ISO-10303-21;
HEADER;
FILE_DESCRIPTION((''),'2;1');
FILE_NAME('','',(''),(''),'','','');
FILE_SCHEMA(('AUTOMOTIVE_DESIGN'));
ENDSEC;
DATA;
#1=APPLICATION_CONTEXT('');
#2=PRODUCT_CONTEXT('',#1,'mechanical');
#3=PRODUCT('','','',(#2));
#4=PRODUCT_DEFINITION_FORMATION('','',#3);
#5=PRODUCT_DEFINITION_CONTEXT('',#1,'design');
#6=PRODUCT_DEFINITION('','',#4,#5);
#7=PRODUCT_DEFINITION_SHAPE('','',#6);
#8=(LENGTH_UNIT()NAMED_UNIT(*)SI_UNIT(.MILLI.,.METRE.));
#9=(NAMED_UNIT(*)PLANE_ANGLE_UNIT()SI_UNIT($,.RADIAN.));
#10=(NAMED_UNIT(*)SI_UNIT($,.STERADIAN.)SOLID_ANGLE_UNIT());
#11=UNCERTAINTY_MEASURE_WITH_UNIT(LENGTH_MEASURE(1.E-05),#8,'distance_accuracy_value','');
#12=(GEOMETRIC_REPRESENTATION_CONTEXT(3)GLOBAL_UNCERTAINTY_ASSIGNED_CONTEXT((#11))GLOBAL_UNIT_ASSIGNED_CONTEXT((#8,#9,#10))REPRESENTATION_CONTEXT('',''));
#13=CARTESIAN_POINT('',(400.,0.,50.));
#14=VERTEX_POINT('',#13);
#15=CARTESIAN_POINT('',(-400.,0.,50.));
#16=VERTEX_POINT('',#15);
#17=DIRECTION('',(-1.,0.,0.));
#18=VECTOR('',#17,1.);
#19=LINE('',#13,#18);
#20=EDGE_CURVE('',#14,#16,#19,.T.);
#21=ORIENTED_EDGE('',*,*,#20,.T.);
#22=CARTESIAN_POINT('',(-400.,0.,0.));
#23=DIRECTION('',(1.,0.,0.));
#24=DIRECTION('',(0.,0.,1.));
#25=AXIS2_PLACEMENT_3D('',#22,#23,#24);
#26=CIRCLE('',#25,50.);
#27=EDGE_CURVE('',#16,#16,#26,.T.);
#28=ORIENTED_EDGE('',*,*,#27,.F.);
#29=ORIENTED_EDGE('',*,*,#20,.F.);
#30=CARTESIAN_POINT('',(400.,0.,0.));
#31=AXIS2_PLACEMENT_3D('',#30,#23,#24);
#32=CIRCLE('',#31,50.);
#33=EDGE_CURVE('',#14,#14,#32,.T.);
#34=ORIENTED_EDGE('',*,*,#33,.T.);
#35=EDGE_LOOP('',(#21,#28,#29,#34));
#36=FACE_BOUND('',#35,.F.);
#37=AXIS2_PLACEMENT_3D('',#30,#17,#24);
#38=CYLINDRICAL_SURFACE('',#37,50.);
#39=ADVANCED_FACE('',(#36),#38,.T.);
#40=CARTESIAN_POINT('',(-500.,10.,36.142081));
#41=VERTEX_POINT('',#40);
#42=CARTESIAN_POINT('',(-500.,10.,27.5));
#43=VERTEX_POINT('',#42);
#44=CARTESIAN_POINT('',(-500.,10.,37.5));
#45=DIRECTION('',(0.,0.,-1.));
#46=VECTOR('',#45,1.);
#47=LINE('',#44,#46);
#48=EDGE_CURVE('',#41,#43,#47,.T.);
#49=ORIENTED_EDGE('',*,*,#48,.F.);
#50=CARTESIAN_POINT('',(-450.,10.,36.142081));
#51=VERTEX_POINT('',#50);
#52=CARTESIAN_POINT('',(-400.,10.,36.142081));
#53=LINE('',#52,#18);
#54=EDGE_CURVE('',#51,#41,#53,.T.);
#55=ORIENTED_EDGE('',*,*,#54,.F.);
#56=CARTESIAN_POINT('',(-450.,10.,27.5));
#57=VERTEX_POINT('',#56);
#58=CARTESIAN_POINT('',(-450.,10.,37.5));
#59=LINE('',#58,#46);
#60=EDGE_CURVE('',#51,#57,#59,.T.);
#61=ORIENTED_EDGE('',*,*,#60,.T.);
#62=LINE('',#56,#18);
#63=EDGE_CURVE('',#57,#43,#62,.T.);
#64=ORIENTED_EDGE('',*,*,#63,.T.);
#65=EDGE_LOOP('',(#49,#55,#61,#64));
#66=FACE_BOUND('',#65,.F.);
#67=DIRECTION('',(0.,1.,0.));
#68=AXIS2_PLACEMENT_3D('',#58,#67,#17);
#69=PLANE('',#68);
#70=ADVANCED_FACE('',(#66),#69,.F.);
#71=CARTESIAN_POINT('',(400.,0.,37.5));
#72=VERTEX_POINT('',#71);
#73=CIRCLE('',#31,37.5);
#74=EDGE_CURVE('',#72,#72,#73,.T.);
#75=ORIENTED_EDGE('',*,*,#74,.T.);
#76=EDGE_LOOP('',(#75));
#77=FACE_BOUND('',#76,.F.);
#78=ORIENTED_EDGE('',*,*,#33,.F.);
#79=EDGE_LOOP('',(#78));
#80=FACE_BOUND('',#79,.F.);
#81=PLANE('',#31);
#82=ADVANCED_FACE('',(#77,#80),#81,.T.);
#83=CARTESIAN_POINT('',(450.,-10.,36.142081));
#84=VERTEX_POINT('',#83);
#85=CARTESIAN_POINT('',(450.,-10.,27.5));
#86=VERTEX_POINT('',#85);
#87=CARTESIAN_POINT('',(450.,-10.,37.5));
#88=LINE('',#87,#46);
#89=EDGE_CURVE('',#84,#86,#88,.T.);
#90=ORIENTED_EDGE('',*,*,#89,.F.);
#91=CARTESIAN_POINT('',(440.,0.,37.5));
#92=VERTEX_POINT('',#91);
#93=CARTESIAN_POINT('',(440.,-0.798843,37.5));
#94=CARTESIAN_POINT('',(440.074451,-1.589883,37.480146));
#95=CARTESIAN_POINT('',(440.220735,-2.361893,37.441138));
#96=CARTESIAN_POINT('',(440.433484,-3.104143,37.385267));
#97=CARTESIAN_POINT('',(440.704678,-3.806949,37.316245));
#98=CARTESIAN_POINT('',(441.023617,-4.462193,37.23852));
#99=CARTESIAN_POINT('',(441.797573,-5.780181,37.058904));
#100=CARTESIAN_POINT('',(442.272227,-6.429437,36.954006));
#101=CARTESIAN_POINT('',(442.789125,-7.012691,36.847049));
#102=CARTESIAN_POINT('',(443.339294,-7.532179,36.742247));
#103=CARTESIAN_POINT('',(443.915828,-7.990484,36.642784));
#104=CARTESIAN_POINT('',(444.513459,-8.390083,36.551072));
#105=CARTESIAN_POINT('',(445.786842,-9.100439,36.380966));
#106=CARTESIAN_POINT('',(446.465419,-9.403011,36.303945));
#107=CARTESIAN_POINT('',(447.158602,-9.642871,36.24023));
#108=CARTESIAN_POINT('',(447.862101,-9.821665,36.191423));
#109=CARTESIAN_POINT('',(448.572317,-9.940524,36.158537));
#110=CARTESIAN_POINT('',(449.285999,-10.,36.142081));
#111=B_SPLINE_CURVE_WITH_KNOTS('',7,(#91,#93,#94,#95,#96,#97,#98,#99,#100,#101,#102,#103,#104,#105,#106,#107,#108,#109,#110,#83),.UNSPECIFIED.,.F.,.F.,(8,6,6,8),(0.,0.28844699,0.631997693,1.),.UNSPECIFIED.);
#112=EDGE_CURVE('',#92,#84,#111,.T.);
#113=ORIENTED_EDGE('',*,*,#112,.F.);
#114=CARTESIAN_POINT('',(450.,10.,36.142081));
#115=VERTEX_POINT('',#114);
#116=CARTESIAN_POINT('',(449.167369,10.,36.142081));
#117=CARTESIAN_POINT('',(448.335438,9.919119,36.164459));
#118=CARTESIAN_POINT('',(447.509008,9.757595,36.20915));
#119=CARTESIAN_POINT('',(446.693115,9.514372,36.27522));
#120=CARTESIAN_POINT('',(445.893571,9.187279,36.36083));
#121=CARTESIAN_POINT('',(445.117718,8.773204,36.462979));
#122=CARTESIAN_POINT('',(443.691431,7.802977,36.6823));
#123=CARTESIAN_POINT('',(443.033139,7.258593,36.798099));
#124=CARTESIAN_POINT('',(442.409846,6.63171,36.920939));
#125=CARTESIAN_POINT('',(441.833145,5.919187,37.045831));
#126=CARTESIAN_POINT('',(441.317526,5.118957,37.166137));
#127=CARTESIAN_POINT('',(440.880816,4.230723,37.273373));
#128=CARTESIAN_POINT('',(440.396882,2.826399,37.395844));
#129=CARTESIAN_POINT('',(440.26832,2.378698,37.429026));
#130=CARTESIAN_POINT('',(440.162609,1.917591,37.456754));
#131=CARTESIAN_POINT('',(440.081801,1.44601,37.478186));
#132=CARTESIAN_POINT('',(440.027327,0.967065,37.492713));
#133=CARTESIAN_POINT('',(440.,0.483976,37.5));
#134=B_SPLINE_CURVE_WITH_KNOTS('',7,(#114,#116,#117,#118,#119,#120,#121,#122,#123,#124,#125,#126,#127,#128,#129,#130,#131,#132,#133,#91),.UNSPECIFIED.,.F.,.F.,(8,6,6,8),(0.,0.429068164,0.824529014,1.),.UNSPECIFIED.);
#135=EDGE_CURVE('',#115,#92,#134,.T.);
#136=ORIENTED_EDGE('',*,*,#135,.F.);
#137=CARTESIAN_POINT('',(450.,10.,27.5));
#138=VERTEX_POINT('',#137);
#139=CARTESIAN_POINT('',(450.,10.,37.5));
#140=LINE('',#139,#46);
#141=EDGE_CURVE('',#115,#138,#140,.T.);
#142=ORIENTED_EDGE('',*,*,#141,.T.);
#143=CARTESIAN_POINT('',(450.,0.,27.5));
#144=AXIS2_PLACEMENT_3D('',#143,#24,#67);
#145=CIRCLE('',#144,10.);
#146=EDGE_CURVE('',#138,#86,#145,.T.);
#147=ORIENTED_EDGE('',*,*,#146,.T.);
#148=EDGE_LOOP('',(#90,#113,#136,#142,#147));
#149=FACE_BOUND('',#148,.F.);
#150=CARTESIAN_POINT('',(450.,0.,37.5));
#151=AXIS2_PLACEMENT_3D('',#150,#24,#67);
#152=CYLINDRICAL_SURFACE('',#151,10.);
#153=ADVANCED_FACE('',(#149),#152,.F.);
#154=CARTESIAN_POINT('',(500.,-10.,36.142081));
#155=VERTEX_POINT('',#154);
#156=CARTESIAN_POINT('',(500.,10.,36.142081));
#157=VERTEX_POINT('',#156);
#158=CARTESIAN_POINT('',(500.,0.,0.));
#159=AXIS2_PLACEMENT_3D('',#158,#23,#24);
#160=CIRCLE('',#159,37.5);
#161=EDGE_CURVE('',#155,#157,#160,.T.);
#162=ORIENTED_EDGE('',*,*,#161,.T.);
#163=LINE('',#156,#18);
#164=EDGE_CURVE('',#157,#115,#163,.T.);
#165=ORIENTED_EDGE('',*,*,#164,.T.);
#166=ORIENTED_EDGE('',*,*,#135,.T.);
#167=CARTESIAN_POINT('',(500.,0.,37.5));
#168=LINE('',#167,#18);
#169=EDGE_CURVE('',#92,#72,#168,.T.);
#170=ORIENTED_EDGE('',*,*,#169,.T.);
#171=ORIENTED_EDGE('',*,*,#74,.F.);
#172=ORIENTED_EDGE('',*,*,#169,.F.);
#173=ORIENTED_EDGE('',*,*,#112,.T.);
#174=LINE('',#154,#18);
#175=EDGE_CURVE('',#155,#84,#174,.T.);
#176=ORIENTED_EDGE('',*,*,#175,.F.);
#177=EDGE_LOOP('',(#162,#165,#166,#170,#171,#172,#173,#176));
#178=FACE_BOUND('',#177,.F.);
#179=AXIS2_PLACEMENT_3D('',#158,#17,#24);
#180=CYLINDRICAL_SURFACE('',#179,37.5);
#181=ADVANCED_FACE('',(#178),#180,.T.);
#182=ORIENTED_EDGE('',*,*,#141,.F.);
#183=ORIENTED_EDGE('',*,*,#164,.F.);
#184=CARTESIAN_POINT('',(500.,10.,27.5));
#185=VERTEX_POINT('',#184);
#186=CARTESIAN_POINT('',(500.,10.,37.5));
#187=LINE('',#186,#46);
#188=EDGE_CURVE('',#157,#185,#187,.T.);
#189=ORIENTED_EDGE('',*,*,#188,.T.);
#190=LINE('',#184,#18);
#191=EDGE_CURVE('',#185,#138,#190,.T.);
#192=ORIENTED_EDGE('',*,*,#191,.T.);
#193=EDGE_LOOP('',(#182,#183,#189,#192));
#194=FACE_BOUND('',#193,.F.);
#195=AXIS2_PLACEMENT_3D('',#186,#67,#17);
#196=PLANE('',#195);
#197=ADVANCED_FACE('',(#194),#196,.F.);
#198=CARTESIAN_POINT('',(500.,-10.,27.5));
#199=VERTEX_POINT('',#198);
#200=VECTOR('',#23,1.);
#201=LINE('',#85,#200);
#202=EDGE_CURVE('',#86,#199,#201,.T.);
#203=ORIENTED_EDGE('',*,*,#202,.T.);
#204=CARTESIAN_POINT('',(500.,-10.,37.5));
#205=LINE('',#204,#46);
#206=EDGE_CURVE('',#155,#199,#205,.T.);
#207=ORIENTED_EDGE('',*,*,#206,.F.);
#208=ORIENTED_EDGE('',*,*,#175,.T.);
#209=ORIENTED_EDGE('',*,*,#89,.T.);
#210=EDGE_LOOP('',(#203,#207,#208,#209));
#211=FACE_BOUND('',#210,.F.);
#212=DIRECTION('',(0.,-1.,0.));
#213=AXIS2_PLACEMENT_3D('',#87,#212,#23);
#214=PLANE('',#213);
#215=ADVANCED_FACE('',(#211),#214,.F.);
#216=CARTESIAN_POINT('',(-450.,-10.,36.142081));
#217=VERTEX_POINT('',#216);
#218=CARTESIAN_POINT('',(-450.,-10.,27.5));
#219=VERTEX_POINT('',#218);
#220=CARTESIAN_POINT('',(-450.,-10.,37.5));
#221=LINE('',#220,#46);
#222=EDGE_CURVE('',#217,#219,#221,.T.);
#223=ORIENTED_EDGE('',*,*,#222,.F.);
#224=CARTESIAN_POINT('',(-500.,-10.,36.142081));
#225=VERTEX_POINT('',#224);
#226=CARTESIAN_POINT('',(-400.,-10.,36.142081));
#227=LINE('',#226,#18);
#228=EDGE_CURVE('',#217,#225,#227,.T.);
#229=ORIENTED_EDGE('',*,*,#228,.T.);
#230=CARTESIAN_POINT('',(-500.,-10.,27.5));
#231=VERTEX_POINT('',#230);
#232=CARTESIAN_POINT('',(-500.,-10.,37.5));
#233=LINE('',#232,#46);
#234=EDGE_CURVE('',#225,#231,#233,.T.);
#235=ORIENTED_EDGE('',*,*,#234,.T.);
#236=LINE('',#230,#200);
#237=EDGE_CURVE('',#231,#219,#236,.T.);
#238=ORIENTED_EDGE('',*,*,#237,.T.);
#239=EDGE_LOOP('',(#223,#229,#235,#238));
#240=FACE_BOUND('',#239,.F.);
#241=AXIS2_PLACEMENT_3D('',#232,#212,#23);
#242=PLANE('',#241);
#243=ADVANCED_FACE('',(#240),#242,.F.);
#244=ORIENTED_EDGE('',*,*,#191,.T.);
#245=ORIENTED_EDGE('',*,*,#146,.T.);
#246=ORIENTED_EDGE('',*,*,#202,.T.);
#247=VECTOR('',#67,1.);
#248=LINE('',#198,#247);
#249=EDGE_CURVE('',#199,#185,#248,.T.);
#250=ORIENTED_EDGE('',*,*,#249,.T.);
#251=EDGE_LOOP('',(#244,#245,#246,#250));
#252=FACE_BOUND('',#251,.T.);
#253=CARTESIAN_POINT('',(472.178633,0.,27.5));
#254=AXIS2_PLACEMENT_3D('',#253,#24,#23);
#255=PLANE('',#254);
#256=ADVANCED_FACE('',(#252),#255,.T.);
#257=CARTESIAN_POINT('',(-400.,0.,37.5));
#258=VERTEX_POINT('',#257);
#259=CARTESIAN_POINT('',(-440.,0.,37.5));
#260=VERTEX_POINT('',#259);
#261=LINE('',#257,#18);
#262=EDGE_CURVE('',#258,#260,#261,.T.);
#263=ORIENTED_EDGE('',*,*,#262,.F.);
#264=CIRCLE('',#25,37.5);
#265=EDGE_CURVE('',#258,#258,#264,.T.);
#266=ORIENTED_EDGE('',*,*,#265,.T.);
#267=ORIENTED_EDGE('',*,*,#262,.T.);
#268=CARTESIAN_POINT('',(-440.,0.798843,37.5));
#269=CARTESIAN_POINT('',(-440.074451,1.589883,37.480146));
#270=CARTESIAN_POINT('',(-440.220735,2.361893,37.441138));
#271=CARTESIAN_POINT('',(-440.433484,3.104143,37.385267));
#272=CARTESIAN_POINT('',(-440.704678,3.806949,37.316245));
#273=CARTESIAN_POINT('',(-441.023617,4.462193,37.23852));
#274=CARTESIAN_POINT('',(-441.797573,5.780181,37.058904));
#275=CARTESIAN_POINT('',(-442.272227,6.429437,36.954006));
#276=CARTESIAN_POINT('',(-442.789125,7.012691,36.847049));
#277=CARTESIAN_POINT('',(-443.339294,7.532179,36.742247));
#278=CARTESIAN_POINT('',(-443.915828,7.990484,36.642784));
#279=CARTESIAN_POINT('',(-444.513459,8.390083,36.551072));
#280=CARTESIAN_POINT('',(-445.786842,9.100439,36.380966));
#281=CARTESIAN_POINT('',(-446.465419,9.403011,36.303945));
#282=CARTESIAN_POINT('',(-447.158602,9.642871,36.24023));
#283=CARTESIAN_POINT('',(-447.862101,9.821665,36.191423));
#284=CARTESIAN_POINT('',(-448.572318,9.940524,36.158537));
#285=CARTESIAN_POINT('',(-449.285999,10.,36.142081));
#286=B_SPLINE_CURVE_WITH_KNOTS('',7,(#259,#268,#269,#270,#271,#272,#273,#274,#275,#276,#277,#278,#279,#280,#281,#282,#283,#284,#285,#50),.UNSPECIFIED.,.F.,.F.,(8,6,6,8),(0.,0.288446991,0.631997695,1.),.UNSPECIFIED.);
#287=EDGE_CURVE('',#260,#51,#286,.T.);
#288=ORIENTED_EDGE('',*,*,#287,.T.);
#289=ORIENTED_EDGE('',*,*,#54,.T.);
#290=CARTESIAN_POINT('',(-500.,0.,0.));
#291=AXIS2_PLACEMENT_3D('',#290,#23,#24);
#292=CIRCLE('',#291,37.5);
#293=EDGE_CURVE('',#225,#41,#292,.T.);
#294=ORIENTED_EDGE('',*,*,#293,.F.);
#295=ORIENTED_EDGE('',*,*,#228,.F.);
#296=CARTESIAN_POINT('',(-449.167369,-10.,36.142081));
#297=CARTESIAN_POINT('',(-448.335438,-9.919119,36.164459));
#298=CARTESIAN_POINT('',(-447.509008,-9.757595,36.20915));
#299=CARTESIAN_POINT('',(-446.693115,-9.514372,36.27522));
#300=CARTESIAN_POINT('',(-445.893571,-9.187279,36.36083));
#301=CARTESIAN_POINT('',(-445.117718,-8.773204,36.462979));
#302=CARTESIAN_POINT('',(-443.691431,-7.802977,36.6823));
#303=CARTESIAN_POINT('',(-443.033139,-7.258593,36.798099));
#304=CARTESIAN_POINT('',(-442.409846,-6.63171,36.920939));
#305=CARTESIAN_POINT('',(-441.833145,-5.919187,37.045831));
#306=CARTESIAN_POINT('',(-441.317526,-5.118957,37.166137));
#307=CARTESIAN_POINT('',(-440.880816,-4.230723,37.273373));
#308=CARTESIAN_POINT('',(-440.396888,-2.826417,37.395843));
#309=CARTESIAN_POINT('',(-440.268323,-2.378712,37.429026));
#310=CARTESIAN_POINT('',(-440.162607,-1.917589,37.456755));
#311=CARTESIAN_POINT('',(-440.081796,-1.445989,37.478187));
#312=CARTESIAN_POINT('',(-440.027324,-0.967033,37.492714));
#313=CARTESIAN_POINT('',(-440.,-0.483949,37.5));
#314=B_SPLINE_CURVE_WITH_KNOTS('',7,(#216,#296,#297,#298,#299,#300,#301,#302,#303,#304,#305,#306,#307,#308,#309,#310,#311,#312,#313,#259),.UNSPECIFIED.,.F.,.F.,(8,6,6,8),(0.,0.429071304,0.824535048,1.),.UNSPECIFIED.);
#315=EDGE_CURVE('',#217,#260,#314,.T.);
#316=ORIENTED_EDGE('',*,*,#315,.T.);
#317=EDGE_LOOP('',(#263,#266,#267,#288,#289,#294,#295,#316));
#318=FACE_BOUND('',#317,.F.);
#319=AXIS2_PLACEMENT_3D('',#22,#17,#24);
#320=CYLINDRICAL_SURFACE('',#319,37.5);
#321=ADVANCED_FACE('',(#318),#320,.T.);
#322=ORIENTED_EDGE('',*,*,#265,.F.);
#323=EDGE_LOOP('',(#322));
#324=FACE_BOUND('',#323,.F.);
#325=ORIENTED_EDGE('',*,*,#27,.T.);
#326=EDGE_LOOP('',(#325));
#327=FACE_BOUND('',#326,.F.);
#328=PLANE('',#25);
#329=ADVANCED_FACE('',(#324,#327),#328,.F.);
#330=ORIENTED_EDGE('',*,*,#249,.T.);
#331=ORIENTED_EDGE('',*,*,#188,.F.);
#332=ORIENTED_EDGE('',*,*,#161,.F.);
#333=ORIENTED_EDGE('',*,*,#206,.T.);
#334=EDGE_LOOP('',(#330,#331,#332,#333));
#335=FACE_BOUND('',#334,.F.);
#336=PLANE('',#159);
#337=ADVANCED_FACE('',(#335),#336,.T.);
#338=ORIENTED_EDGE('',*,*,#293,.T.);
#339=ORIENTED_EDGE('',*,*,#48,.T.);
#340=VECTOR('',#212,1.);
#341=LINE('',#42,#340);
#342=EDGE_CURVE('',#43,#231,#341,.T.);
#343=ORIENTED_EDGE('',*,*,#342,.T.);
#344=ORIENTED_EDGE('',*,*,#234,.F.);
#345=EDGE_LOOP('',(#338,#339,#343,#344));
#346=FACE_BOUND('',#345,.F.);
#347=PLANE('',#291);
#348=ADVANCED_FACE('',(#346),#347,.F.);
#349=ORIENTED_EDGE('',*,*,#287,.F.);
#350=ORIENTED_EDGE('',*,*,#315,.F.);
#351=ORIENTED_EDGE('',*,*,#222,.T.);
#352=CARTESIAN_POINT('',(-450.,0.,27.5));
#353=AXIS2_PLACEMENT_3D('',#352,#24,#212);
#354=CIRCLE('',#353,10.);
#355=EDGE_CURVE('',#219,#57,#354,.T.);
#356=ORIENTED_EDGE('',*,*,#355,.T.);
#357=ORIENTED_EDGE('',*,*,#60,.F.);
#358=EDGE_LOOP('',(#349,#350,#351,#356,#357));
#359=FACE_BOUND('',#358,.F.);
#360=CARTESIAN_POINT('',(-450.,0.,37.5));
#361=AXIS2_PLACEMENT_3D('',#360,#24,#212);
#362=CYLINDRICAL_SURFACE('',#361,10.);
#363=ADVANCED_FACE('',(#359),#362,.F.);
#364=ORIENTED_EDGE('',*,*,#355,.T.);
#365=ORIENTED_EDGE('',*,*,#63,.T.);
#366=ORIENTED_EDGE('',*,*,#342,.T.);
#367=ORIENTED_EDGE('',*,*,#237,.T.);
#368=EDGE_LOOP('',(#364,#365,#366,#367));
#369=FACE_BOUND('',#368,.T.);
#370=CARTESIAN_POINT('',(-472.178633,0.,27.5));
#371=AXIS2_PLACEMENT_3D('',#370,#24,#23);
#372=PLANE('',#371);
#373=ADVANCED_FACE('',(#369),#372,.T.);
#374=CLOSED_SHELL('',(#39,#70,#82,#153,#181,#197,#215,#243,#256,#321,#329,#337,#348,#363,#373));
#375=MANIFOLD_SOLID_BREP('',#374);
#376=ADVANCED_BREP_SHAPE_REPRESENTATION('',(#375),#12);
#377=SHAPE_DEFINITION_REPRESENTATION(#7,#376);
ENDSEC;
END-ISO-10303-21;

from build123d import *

# Parameters (mm, degrees)
F4_DEPTH = 10


with BuildPart() as f1:
    # F0 (on Front) → F1 (revolve)
    with BuildSketch(Plane.XZ):
        Polygon((-500, 37.5), (-500, 0), (500, 0), (500, 37.5), (400, 37.5), (400, 50), (-400, 50), (-400, 37.5), align=None)
    revolve(axis=Axis((0, 0, 0), (1, 0, 0)))

    # F3 (on offset) → F4 (cut)
    with BuildSketch(Plane.XY.offset(37.5)):
        with BuildLine():
            Line((-450, 10), (-500, 10))
            Line((-500, 10), (-500, -10))
            Line((-500, -10), (-450, -10))
            ThreePointArc((-450, -10), (-440, 0), (-450, 10))
        make_face()
        with BuildLine():
            ThreePointArc((450, 10), (440, 0), (450, -10))
            Line((450, -10), (500, -10))
            Line((500, -10), (500, 10))
            Line((500, 10), (450, 10))
        make_face()
    extrude(amount=-F4_DEPTH, mode=Mode.SUBTRACT)


solid = f1.part
